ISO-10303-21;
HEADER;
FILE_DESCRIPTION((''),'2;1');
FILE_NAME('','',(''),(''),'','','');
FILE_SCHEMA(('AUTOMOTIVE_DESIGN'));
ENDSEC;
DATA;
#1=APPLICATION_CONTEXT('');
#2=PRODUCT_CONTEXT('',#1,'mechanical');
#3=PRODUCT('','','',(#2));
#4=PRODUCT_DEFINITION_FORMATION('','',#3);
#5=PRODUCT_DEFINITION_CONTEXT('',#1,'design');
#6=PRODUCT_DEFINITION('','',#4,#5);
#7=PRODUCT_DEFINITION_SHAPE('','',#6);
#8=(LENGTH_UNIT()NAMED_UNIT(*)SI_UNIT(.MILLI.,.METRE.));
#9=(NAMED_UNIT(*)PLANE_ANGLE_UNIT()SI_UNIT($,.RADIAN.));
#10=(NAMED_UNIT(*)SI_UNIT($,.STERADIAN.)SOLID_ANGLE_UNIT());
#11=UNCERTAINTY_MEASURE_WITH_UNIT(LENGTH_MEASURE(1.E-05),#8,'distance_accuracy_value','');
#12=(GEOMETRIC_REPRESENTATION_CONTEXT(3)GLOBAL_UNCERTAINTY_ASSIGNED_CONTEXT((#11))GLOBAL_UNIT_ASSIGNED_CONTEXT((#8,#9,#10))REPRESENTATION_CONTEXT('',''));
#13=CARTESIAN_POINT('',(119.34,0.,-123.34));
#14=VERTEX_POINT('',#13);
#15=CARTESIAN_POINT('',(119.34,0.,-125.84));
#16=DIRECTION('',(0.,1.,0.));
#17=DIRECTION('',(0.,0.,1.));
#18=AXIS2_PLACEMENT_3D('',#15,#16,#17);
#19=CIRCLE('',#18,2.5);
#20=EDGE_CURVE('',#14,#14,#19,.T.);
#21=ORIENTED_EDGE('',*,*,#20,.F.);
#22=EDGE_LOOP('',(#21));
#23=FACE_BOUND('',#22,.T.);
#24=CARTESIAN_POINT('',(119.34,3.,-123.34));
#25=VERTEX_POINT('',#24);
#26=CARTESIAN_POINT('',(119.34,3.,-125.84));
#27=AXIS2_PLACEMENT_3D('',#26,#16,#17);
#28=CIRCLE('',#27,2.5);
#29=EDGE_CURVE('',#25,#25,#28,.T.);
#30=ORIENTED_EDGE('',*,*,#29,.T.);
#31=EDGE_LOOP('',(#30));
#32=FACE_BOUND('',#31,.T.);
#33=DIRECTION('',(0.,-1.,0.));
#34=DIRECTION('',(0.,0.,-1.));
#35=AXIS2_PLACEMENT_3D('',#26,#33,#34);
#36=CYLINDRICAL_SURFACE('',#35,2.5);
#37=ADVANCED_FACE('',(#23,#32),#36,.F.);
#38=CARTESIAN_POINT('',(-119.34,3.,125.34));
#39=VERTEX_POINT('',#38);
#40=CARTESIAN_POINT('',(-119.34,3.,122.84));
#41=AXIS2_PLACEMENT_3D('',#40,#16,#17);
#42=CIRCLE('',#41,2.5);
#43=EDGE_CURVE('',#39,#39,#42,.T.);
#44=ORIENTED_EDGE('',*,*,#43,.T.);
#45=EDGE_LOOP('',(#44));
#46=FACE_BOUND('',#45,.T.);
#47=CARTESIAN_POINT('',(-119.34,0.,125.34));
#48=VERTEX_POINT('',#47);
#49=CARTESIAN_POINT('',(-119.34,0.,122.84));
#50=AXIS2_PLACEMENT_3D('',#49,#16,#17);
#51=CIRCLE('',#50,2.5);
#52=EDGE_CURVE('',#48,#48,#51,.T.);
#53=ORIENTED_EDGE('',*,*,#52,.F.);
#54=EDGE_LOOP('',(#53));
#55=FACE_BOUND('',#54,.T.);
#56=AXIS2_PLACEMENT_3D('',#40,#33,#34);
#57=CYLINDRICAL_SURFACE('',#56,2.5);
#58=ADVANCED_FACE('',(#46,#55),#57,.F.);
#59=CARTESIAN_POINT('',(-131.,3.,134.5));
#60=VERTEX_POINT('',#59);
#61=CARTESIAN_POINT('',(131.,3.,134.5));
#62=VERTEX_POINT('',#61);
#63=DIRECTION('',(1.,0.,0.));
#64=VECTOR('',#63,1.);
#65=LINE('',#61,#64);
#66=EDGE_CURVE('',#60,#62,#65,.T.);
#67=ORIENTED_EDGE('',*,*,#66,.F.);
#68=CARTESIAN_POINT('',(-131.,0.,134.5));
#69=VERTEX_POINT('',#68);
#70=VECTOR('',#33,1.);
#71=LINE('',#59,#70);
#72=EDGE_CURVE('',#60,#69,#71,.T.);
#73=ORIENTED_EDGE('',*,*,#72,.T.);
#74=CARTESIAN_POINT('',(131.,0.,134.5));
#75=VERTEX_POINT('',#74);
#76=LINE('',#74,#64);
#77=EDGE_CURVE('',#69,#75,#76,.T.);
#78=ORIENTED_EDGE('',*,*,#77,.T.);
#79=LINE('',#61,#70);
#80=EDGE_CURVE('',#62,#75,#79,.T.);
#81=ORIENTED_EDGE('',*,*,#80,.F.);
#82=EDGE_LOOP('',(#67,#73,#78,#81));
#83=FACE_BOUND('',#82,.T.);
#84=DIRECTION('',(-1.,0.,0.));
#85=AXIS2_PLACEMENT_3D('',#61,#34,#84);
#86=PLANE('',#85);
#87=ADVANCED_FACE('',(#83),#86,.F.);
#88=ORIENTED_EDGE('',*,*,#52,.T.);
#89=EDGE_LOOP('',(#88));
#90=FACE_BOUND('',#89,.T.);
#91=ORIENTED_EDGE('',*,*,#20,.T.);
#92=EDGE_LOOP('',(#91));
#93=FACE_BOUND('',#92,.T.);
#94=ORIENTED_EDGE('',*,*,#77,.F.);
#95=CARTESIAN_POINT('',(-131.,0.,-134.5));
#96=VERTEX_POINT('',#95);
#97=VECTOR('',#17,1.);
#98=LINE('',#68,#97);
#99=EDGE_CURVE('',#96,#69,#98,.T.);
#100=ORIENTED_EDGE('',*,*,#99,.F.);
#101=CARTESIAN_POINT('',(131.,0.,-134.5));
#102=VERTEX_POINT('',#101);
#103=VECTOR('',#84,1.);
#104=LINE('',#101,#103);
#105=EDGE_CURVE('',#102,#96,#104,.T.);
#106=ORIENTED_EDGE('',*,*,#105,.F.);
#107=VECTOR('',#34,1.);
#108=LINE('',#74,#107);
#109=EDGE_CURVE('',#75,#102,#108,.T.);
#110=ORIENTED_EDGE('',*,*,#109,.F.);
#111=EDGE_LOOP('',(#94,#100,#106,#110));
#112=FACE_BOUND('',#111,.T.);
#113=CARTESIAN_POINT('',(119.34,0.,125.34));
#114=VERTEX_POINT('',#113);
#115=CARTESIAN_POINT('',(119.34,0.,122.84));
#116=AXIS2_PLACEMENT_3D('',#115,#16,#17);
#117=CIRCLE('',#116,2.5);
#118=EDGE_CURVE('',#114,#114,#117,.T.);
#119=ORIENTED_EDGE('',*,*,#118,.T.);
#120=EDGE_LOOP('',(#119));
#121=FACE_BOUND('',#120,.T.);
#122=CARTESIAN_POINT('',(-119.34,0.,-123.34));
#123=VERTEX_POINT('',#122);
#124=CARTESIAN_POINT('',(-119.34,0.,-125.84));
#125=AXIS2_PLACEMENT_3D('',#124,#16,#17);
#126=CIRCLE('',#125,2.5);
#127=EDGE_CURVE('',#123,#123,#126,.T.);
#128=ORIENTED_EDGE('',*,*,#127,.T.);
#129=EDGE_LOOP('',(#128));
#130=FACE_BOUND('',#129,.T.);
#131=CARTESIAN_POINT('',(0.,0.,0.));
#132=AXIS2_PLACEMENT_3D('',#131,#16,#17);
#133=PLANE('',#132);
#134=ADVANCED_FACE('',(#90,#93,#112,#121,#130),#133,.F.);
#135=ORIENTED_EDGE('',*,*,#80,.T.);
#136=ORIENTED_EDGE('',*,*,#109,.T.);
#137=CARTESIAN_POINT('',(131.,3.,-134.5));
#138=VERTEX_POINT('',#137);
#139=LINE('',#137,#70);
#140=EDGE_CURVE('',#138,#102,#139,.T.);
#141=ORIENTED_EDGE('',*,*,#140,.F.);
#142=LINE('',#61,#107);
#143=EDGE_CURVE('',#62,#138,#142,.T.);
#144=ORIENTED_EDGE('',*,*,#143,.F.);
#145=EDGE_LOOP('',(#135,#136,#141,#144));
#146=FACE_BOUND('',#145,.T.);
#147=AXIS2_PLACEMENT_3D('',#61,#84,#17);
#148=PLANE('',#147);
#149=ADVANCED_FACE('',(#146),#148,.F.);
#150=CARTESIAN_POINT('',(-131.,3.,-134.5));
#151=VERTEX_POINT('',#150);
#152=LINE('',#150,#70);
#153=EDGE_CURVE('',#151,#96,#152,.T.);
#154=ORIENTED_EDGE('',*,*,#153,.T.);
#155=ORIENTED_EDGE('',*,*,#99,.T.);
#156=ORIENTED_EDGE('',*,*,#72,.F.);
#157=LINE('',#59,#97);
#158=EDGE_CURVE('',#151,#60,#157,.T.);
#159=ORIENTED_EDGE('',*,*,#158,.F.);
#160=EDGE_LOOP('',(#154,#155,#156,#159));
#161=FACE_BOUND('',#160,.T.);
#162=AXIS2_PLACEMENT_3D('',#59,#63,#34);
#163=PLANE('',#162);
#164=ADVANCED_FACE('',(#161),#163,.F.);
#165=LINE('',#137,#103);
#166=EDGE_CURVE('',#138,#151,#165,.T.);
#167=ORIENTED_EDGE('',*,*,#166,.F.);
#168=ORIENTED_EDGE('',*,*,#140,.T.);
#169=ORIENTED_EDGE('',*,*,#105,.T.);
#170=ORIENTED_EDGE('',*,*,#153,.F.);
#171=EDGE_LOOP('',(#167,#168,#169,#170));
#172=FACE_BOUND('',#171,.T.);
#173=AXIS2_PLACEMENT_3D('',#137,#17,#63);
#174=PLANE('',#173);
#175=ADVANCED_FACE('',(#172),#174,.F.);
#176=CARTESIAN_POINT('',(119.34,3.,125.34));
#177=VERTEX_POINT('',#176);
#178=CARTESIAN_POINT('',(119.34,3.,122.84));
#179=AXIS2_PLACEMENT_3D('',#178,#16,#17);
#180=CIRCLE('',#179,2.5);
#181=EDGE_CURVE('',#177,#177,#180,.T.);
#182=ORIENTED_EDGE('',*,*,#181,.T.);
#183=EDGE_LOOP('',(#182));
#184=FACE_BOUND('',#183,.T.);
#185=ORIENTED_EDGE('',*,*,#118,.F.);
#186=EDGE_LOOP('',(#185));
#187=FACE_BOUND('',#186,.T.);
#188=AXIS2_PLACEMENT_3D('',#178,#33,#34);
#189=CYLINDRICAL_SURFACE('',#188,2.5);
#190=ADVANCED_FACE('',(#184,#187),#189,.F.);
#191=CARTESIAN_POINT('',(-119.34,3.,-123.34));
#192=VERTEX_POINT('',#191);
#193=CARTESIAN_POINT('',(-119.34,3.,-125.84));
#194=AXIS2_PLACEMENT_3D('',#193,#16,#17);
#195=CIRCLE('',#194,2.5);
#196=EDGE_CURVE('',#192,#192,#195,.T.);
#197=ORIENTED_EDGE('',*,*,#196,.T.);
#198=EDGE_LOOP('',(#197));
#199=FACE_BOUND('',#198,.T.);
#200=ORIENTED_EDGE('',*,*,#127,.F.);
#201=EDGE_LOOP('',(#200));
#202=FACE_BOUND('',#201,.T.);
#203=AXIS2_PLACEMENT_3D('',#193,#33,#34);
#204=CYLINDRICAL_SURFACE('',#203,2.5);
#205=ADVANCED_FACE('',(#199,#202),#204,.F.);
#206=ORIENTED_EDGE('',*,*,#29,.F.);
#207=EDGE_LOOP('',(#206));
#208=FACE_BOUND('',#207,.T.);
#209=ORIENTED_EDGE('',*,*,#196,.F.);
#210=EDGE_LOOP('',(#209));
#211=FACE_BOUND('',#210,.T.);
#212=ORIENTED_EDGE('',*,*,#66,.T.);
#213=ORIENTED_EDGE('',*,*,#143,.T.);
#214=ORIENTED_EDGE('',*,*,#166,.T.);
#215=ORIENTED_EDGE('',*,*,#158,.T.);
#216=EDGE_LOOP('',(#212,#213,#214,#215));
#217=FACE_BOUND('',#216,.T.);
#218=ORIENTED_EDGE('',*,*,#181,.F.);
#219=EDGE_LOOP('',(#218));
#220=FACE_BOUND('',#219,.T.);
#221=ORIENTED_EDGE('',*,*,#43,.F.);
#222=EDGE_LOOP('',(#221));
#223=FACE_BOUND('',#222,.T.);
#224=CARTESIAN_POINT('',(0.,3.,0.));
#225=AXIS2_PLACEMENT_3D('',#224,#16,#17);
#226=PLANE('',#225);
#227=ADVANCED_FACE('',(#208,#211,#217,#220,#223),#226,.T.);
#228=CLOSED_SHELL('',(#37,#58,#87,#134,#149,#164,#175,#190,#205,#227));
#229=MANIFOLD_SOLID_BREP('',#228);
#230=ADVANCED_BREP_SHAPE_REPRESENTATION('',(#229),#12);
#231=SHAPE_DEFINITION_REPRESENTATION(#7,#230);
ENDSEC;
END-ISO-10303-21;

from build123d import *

# Parameters (mm, degrees)
SKETCH1_W           = 262
SKETCH1_H           = 269
SKETCH1_R           = 2.5
BOSS_EXTRUDE1_DEPTH = 3


with BuildPart() as part:
    # Sketch1 → Boss-Extrude1 (new body)
    with BuildSketch(Plane(origin=(0, 0, 0), x_dir=(1, 0, 0), z_dir=(0, 1, 0))):
        Rectangle(SKETCH1_W, SKETCH1_H)
        with Locations((119.34, -122.84)):
            Circle(SKETCH1_R, mode=Mode.SUBTRACT)
        with Locations((-119.34, -122.84)):
            Circle(SKETCH1_R, mode=Mode.SUBTRACT)
        with Locations((-119.34, 125.84)):
            Circle(SKETCH1_R, mode=Mode.SUBTRACT)
        with Locations((119.34, 125.84)):
            Circle(SKETCH1_R, mode=Mode.SUBTRACT)
    extrude(amount=BOSS_EXTRUDE1_DEPTH)


solid = part.part
